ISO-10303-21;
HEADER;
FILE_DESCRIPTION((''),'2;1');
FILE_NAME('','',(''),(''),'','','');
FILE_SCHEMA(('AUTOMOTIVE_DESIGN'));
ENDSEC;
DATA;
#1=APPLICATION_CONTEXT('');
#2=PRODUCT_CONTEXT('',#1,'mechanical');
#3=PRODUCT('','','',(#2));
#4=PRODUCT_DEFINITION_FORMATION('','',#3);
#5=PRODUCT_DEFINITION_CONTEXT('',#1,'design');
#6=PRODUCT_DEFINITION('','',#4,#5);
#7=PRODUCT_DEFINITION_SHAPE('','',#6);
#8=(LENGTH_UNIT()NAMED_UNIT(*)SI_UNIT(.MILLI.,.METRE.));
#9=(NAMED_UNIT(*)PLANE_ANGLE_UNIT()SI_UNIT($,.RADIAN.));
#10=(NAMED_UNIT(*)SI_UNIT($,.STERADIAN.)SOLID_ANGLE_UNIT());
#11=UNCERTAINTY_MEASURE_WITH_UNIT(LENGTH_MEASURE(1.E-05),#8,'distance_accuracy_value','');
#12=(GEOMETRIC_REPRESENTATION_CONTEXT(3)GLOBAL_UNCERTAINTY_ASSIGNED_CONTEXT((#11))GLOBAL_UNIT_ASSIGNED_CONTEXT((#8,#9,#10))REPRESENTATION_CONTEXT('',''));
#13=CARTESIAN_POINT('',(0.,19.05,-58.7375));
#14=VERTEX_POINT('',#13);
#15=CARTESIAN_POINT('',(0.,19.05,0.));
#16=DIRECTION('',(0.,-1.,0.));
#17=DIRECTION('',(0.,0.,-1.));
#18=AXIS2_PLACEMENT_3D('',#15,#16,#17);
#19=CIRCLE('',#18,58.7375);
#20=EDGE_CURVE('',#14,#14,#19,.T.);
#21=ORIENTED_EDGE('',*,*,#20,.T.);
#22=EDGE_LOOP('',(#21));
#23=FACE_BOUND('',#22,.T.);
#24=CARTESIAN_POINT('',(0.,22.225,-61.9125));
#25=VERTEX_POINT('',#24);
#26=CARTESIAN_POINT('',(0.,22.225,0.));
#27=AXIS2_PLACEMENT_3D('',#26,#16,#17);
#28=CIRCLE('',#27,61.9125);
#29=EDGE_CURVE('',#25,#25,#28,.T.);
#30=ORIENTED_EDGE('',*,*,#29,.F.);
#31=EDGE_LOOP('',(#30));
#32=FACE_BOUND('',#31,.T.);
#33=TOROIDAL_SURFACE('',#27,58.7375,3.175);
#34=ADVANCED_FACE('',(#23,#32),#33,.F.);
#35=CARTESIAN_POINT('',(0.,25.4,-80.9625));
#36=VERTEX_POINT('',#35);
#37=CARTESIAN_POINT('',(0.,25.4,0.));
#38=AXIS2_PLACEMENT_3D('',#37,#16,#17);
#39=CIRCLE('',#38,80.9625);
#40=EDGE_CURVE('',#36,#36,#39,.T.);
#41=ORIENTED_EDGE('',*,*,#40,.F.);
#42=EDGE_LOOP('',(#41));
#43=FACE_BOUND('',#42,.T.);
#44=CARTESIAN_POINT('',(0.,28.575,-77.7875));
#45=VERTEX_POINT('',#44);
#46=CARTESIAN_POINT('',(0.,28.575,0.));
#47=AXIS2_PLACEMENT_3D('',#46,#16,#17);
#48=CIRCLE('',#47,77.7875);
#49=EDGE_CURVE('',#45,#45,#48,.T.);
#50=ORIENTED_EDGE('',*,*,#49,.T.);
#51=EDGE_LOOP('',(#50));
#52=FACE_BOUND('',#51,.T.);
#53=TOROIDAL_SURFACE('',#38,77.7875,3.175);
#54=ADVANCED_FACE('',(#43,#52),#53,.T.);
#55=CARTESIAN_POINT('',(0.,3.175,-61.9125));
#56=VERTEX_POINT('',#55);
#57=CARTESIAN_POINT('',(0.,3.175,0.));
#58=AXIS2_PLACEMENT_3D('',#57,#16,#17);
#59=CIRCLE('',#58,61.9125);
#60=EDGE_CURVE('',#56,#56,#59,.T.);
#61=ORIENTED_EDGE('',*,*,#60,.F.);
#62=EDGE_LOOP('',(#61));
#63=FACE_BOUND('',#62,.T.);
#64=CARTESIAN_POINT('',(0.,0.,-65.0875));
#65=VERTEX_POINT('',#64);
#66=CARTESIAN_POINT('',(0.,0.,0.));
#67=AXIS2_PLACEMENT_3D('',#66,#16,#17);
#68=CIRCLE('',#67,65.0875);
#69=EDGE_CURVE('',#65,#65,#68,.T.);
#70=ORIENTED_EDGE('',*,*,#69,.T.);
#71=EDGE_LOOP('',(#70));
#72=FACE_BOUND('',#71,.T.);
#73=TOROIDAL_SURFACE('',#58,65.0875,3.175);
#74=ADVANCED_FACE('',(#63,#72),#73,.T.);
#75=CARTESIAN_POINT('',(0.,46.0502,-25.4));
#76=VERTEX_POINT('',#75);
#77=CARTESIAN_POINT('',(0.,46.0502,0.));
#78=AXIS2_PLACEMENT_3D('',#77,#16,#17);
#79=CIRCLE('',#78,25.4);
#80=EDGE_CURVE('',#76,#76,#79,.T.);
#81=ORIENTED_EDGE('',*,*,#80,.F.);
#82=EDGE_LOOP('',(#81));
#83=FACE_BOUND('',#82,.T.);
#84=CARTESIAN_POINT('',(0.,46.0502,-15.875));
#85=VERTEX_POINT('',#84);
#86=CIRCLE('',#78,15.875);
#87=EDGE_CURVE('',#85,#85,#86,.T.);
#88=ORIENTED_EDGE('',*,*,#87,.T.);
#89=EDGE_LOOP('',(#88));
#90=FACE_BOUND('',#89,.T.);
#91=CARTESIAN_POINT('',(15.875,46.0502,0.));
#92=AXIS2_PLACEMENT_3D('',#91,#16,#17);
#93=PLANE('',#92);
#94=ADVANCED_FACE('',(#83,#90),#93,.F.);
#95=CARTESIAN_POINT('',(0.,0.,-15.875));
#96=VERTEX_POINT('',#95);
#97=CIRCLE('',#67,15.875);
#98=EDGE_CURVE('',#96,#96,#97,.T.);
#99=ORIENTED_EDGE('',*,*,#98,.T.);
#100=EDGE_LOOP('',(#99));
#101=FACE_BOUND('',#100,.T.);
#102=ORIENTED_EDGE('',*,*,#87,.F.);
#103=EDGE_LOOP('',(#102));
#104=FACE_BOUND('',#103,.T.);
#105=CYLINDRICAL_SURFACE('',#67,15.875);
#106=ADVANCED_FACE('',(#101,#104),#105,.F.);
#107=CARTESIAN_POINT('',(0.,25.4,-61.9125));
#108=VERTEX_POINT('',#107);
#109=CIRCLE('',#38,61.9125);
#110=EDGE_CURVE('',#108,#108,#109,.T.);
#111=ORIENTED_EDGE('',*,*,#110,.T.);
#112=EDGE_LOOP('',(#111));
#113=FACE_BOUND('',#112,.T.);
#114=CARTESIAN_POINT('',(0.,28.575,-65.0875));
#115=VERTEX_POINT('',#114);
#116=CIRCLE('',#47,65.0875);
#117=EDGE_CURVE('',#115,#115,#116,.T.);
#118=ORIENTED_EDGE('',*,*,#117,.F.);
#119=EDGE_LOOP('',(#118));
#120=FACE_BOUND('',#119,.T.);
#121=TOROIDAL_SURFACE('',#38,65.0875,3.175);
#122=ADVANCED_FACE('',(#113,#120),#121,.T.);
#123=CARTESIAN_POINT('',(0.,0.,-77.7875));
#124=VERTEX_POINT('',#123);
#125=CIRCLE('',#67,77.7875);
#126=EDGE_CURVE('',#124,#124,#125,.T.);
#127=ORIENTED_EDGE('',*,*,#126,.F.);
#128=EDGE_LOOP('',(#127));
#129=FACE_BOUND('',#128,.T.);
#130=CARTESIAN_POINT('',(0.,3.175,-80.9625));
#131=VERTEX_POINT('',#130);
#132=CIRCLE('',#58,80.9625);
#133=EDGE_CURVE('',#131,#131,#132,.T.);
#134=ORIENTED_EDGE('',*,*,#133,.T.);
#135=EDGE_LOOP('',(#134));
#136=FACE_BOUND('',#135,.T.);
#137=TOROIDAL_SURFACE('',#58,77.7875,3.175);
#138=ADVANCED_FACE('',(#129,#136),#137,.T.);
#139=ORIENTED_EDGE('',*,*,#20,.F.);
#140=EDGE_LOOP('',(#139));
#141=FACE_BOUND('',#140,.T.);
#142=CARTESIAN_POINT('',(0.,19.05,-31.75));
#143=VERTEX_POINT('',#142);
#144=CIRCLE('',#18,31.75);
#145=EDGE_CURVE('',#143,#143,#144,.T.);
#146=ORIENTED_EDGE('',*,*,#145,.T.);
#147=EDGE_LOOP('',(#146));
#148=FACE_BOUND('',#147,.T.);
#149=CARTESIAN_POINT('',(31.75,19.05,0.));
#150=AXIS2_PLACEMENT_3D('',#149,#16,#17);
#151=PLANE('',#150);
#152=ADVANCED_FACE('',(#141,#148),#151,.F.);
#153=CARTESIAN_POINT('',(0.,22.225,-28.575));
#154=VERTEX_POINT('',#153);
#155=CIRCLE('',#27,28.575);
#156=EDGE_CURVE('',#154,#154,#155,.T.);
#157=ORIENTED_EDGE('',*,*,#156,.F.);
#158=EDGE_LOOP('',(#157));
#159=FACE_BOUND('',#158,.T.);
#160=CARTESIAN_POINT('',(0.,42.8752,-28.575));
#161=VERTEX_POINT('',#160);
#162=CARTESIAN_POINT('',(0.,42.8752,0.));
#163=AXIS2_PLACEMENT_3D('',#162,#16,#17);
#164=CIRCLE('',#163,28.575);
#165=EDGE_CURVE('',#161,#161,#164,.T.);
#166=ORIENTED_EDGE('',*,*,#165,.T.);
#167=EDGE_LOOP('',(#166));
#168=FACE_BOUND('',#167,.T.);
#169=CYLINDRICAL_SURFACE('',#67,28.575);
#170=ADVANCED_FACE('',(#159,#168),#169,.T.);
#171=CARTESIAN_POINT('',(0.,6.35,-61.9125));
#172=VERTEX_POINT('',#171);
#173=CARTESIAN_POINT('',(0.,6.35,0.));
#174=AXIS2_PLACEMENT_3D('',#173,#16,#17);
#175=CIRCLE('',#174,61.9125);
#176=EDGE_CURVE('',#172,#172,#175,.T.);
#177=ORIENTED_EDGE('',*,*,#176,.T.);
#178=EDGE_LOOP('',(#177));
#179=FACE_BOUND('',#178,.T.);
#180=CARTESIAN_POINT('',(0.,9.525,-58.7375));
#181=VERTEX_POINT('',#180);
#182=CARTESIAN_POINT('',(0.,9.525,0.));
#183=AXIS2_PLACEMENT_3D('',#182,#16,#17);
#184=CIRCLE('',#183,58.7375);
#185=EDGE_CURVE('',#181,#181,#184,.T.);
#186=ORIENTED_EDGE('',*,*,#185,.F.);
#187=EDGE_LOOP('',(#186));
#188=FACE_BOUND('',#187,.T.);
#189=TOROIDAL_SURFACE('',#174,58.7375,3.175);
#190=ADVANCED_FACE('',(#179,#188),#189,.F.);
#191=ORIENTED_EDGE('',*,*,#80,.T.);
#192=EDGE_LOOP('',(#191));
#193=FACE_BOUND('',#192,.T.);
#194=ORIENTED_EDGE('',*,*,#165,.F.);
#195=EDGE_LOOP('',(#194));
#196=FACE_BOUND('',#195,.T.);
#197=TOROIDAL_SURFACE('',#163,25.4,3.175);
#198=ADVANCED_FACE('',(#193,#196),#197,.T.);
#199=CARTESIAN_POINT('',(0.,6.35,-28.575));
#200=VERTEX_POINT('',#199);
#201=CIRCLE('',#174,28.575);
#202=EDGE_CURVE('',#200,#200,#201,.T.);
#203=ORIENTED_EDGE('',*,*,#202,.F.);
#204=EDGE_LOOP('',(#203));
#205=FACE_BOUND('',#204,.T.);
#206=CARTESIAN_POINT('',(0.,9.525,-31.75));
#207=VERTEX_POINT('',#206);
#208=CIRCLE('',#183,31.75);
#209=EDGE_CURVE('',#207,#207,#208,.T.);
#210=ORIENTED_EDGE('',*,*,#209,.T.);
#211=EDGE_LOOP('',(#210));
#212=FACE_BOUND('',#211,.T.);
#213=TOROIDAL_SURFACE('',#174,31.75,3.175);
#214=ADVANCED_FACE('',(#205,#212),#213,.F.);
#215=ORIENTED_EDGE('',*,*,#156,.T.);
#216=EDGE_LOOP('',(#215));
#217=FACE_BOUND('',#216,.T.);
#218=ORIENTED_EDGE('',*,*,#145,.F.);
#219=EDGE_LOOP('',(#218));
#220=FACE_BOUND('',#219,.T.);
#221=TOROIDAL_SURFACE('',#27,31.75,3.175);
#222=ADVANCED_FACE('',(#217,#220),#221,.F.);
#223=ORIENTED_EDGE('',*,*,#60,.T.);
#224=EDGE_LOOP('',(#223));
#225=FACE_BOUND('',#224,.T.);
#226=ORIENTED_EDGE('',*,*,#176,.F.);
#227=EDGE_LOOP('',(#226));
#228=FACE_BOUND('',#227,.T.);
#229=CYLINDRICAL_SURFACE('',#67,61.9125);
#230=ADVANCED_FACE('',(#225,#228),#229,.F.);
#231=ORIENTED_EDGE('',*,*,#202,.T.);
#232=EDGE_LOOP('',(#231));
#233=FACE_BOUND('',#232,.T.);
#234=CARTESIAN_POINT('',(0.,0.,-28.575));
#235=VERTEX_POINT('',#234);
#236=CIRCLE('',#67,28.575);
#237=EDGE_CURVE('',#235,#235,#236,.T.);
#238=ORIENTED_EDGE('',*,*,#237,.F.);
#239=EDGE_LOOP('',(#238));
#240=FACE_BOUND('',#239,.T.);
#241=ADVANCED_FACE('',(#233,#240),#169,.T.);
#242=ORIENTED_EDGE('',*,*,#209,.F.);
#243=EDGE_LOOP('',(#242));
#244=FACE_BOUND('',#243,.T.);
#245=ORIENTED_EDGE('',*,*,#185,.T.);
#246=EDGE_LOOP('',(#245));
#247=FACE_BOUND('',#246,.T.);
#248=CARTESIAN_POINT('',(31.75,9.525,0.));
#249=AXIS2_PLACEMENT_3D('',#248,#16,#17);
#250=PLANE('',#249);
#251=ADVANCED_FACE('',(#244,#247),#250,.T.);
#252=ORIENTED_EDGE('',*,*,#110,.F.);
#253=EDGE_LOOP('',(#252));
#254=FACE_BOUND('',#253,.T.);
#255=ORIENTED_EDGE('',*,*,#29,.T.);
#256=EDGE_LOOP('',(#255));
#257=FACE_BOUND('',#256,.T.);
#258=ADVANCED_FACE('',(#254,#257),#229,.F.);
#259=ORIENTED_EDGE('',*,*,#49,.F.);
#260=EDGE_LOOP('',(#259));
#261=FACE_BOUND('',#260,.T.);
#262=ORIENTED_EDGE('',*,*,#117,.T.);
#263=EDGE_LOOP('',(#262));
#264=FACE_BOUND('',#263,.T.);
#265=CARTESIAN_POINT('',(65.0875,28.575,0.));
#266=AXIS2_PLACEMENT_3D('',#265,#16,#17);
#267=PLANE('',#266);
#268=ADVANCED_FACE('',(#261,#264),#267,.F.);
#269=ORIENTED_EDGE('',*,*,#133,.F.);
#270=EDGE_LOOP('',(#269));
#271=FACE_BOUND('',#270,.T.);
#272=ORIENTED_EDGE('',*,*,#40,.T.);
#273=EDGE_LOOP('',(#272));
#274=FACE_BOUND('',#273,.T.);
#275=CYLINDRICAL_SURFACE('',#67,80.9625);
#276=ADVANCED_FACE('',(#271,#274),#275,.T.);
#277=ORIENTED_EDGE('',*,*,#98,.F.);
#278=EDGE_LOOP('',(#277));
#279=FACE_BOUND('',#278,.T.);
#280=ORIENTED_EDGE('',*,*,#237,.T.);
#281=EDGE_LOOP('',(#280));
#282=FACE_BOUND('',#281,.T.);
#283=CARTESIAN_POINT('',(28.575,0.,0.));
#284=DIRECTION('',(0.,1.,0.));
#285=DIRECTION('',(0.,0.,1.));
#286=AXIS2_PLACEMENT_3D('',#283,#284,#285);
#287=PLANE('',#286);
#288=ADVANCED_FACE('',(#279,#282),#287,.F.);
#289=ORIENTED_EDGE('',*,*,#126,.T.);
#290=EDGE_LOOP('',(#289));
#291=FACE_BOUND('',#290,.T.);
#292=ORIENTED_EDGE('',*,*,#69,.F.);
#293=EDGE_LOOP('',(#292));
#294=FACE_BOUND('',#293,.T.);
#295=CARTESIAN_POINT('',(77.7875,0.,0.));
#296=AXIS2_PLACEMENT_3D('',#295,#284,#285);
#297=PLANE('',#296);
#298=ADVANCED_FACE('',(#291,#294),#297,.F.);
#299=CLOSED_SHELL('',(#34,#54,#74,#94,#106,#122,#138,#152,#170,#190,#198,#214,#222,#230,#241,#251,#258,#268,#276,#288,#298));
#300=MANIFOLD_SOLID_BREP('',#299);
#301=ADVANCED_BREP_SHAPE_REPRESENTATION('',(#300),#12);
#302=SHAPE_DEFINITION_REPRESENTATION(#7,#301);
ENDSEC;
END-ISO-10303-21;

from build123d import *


with BuildPart() as part:
    # Sketch1 → Base-Revolve (revolve)
    with BuildSketch(Plane.XY, mode=Mode.PRIVATE) as base_revolve_sk:
        with BuildLine():
            Line((15.875, 0), (15.875, 46.0502))
            Line((15.875, 46.0502), (25.4, 46.0502))
            ThreePointArc((25.4, 46.0502), (27.64506403, 45.12026403), (28.575, 42.8752))
            Line((28.575, 42.8752), (28.575, 22.225))
            ThreePointArc((28.575, 22.225), (29.50493597, 19.97993597), (31.75, 19.05))
            Line((31.75, 19.05), (58.7375, 19.05))
            ThreePointArc((58.7375, 19.05), (60.98256403, 19.97993597), (61.9125, 22.225))
            Line((61.9125, 22.225), (61.9125, 25.4))
            ThreePointArc((61.9125, 25.4), (62.84243597, 27.64506403), (65.0875, 28.575))
            Line((65.0875, 28.575), (77.7875, 28.575))
            ThreePointArc((77.7875, 28.575), (80.03256403, 27.64506403), (80.9625, 25.4))
            Line((80.9625, 25.4), (80.9625, 3.175))
            ThreePointArc((80.9625, 3.175), (80.03256403, 0.92993597), (77.7875, 0))
            Line((77.7875, 0), (65.0875, 0))
            ThreePointArc((65.0875, 0), (62.84243597, 0.92993597), (61.9125, 3.175))
            Line((61.9125, 3.175), (61.9125, 6.35))
            ThreePointArc((61.9125, 6.35), (60.98256403, 8.59506403), (58.7375, 9.525))
            Line((58.7375, 9.525), (31.75, 9.525))
            ThreePointArc((31.75, 9.525), (29.50493597, 8.59506403), (28.575, 6.35))
            Line((28.575, 6.35), (28.575, 0))
            Line((28.575, 0), (15.875, 0))
        make_face()
    revolve(base_revolve_sk.sketch.rotate(Axis((0, 0, 0), (0, 1, 0)), 90), axis=Axis((0, 0, 0), (0, 1, 0)))


solid = part.part
